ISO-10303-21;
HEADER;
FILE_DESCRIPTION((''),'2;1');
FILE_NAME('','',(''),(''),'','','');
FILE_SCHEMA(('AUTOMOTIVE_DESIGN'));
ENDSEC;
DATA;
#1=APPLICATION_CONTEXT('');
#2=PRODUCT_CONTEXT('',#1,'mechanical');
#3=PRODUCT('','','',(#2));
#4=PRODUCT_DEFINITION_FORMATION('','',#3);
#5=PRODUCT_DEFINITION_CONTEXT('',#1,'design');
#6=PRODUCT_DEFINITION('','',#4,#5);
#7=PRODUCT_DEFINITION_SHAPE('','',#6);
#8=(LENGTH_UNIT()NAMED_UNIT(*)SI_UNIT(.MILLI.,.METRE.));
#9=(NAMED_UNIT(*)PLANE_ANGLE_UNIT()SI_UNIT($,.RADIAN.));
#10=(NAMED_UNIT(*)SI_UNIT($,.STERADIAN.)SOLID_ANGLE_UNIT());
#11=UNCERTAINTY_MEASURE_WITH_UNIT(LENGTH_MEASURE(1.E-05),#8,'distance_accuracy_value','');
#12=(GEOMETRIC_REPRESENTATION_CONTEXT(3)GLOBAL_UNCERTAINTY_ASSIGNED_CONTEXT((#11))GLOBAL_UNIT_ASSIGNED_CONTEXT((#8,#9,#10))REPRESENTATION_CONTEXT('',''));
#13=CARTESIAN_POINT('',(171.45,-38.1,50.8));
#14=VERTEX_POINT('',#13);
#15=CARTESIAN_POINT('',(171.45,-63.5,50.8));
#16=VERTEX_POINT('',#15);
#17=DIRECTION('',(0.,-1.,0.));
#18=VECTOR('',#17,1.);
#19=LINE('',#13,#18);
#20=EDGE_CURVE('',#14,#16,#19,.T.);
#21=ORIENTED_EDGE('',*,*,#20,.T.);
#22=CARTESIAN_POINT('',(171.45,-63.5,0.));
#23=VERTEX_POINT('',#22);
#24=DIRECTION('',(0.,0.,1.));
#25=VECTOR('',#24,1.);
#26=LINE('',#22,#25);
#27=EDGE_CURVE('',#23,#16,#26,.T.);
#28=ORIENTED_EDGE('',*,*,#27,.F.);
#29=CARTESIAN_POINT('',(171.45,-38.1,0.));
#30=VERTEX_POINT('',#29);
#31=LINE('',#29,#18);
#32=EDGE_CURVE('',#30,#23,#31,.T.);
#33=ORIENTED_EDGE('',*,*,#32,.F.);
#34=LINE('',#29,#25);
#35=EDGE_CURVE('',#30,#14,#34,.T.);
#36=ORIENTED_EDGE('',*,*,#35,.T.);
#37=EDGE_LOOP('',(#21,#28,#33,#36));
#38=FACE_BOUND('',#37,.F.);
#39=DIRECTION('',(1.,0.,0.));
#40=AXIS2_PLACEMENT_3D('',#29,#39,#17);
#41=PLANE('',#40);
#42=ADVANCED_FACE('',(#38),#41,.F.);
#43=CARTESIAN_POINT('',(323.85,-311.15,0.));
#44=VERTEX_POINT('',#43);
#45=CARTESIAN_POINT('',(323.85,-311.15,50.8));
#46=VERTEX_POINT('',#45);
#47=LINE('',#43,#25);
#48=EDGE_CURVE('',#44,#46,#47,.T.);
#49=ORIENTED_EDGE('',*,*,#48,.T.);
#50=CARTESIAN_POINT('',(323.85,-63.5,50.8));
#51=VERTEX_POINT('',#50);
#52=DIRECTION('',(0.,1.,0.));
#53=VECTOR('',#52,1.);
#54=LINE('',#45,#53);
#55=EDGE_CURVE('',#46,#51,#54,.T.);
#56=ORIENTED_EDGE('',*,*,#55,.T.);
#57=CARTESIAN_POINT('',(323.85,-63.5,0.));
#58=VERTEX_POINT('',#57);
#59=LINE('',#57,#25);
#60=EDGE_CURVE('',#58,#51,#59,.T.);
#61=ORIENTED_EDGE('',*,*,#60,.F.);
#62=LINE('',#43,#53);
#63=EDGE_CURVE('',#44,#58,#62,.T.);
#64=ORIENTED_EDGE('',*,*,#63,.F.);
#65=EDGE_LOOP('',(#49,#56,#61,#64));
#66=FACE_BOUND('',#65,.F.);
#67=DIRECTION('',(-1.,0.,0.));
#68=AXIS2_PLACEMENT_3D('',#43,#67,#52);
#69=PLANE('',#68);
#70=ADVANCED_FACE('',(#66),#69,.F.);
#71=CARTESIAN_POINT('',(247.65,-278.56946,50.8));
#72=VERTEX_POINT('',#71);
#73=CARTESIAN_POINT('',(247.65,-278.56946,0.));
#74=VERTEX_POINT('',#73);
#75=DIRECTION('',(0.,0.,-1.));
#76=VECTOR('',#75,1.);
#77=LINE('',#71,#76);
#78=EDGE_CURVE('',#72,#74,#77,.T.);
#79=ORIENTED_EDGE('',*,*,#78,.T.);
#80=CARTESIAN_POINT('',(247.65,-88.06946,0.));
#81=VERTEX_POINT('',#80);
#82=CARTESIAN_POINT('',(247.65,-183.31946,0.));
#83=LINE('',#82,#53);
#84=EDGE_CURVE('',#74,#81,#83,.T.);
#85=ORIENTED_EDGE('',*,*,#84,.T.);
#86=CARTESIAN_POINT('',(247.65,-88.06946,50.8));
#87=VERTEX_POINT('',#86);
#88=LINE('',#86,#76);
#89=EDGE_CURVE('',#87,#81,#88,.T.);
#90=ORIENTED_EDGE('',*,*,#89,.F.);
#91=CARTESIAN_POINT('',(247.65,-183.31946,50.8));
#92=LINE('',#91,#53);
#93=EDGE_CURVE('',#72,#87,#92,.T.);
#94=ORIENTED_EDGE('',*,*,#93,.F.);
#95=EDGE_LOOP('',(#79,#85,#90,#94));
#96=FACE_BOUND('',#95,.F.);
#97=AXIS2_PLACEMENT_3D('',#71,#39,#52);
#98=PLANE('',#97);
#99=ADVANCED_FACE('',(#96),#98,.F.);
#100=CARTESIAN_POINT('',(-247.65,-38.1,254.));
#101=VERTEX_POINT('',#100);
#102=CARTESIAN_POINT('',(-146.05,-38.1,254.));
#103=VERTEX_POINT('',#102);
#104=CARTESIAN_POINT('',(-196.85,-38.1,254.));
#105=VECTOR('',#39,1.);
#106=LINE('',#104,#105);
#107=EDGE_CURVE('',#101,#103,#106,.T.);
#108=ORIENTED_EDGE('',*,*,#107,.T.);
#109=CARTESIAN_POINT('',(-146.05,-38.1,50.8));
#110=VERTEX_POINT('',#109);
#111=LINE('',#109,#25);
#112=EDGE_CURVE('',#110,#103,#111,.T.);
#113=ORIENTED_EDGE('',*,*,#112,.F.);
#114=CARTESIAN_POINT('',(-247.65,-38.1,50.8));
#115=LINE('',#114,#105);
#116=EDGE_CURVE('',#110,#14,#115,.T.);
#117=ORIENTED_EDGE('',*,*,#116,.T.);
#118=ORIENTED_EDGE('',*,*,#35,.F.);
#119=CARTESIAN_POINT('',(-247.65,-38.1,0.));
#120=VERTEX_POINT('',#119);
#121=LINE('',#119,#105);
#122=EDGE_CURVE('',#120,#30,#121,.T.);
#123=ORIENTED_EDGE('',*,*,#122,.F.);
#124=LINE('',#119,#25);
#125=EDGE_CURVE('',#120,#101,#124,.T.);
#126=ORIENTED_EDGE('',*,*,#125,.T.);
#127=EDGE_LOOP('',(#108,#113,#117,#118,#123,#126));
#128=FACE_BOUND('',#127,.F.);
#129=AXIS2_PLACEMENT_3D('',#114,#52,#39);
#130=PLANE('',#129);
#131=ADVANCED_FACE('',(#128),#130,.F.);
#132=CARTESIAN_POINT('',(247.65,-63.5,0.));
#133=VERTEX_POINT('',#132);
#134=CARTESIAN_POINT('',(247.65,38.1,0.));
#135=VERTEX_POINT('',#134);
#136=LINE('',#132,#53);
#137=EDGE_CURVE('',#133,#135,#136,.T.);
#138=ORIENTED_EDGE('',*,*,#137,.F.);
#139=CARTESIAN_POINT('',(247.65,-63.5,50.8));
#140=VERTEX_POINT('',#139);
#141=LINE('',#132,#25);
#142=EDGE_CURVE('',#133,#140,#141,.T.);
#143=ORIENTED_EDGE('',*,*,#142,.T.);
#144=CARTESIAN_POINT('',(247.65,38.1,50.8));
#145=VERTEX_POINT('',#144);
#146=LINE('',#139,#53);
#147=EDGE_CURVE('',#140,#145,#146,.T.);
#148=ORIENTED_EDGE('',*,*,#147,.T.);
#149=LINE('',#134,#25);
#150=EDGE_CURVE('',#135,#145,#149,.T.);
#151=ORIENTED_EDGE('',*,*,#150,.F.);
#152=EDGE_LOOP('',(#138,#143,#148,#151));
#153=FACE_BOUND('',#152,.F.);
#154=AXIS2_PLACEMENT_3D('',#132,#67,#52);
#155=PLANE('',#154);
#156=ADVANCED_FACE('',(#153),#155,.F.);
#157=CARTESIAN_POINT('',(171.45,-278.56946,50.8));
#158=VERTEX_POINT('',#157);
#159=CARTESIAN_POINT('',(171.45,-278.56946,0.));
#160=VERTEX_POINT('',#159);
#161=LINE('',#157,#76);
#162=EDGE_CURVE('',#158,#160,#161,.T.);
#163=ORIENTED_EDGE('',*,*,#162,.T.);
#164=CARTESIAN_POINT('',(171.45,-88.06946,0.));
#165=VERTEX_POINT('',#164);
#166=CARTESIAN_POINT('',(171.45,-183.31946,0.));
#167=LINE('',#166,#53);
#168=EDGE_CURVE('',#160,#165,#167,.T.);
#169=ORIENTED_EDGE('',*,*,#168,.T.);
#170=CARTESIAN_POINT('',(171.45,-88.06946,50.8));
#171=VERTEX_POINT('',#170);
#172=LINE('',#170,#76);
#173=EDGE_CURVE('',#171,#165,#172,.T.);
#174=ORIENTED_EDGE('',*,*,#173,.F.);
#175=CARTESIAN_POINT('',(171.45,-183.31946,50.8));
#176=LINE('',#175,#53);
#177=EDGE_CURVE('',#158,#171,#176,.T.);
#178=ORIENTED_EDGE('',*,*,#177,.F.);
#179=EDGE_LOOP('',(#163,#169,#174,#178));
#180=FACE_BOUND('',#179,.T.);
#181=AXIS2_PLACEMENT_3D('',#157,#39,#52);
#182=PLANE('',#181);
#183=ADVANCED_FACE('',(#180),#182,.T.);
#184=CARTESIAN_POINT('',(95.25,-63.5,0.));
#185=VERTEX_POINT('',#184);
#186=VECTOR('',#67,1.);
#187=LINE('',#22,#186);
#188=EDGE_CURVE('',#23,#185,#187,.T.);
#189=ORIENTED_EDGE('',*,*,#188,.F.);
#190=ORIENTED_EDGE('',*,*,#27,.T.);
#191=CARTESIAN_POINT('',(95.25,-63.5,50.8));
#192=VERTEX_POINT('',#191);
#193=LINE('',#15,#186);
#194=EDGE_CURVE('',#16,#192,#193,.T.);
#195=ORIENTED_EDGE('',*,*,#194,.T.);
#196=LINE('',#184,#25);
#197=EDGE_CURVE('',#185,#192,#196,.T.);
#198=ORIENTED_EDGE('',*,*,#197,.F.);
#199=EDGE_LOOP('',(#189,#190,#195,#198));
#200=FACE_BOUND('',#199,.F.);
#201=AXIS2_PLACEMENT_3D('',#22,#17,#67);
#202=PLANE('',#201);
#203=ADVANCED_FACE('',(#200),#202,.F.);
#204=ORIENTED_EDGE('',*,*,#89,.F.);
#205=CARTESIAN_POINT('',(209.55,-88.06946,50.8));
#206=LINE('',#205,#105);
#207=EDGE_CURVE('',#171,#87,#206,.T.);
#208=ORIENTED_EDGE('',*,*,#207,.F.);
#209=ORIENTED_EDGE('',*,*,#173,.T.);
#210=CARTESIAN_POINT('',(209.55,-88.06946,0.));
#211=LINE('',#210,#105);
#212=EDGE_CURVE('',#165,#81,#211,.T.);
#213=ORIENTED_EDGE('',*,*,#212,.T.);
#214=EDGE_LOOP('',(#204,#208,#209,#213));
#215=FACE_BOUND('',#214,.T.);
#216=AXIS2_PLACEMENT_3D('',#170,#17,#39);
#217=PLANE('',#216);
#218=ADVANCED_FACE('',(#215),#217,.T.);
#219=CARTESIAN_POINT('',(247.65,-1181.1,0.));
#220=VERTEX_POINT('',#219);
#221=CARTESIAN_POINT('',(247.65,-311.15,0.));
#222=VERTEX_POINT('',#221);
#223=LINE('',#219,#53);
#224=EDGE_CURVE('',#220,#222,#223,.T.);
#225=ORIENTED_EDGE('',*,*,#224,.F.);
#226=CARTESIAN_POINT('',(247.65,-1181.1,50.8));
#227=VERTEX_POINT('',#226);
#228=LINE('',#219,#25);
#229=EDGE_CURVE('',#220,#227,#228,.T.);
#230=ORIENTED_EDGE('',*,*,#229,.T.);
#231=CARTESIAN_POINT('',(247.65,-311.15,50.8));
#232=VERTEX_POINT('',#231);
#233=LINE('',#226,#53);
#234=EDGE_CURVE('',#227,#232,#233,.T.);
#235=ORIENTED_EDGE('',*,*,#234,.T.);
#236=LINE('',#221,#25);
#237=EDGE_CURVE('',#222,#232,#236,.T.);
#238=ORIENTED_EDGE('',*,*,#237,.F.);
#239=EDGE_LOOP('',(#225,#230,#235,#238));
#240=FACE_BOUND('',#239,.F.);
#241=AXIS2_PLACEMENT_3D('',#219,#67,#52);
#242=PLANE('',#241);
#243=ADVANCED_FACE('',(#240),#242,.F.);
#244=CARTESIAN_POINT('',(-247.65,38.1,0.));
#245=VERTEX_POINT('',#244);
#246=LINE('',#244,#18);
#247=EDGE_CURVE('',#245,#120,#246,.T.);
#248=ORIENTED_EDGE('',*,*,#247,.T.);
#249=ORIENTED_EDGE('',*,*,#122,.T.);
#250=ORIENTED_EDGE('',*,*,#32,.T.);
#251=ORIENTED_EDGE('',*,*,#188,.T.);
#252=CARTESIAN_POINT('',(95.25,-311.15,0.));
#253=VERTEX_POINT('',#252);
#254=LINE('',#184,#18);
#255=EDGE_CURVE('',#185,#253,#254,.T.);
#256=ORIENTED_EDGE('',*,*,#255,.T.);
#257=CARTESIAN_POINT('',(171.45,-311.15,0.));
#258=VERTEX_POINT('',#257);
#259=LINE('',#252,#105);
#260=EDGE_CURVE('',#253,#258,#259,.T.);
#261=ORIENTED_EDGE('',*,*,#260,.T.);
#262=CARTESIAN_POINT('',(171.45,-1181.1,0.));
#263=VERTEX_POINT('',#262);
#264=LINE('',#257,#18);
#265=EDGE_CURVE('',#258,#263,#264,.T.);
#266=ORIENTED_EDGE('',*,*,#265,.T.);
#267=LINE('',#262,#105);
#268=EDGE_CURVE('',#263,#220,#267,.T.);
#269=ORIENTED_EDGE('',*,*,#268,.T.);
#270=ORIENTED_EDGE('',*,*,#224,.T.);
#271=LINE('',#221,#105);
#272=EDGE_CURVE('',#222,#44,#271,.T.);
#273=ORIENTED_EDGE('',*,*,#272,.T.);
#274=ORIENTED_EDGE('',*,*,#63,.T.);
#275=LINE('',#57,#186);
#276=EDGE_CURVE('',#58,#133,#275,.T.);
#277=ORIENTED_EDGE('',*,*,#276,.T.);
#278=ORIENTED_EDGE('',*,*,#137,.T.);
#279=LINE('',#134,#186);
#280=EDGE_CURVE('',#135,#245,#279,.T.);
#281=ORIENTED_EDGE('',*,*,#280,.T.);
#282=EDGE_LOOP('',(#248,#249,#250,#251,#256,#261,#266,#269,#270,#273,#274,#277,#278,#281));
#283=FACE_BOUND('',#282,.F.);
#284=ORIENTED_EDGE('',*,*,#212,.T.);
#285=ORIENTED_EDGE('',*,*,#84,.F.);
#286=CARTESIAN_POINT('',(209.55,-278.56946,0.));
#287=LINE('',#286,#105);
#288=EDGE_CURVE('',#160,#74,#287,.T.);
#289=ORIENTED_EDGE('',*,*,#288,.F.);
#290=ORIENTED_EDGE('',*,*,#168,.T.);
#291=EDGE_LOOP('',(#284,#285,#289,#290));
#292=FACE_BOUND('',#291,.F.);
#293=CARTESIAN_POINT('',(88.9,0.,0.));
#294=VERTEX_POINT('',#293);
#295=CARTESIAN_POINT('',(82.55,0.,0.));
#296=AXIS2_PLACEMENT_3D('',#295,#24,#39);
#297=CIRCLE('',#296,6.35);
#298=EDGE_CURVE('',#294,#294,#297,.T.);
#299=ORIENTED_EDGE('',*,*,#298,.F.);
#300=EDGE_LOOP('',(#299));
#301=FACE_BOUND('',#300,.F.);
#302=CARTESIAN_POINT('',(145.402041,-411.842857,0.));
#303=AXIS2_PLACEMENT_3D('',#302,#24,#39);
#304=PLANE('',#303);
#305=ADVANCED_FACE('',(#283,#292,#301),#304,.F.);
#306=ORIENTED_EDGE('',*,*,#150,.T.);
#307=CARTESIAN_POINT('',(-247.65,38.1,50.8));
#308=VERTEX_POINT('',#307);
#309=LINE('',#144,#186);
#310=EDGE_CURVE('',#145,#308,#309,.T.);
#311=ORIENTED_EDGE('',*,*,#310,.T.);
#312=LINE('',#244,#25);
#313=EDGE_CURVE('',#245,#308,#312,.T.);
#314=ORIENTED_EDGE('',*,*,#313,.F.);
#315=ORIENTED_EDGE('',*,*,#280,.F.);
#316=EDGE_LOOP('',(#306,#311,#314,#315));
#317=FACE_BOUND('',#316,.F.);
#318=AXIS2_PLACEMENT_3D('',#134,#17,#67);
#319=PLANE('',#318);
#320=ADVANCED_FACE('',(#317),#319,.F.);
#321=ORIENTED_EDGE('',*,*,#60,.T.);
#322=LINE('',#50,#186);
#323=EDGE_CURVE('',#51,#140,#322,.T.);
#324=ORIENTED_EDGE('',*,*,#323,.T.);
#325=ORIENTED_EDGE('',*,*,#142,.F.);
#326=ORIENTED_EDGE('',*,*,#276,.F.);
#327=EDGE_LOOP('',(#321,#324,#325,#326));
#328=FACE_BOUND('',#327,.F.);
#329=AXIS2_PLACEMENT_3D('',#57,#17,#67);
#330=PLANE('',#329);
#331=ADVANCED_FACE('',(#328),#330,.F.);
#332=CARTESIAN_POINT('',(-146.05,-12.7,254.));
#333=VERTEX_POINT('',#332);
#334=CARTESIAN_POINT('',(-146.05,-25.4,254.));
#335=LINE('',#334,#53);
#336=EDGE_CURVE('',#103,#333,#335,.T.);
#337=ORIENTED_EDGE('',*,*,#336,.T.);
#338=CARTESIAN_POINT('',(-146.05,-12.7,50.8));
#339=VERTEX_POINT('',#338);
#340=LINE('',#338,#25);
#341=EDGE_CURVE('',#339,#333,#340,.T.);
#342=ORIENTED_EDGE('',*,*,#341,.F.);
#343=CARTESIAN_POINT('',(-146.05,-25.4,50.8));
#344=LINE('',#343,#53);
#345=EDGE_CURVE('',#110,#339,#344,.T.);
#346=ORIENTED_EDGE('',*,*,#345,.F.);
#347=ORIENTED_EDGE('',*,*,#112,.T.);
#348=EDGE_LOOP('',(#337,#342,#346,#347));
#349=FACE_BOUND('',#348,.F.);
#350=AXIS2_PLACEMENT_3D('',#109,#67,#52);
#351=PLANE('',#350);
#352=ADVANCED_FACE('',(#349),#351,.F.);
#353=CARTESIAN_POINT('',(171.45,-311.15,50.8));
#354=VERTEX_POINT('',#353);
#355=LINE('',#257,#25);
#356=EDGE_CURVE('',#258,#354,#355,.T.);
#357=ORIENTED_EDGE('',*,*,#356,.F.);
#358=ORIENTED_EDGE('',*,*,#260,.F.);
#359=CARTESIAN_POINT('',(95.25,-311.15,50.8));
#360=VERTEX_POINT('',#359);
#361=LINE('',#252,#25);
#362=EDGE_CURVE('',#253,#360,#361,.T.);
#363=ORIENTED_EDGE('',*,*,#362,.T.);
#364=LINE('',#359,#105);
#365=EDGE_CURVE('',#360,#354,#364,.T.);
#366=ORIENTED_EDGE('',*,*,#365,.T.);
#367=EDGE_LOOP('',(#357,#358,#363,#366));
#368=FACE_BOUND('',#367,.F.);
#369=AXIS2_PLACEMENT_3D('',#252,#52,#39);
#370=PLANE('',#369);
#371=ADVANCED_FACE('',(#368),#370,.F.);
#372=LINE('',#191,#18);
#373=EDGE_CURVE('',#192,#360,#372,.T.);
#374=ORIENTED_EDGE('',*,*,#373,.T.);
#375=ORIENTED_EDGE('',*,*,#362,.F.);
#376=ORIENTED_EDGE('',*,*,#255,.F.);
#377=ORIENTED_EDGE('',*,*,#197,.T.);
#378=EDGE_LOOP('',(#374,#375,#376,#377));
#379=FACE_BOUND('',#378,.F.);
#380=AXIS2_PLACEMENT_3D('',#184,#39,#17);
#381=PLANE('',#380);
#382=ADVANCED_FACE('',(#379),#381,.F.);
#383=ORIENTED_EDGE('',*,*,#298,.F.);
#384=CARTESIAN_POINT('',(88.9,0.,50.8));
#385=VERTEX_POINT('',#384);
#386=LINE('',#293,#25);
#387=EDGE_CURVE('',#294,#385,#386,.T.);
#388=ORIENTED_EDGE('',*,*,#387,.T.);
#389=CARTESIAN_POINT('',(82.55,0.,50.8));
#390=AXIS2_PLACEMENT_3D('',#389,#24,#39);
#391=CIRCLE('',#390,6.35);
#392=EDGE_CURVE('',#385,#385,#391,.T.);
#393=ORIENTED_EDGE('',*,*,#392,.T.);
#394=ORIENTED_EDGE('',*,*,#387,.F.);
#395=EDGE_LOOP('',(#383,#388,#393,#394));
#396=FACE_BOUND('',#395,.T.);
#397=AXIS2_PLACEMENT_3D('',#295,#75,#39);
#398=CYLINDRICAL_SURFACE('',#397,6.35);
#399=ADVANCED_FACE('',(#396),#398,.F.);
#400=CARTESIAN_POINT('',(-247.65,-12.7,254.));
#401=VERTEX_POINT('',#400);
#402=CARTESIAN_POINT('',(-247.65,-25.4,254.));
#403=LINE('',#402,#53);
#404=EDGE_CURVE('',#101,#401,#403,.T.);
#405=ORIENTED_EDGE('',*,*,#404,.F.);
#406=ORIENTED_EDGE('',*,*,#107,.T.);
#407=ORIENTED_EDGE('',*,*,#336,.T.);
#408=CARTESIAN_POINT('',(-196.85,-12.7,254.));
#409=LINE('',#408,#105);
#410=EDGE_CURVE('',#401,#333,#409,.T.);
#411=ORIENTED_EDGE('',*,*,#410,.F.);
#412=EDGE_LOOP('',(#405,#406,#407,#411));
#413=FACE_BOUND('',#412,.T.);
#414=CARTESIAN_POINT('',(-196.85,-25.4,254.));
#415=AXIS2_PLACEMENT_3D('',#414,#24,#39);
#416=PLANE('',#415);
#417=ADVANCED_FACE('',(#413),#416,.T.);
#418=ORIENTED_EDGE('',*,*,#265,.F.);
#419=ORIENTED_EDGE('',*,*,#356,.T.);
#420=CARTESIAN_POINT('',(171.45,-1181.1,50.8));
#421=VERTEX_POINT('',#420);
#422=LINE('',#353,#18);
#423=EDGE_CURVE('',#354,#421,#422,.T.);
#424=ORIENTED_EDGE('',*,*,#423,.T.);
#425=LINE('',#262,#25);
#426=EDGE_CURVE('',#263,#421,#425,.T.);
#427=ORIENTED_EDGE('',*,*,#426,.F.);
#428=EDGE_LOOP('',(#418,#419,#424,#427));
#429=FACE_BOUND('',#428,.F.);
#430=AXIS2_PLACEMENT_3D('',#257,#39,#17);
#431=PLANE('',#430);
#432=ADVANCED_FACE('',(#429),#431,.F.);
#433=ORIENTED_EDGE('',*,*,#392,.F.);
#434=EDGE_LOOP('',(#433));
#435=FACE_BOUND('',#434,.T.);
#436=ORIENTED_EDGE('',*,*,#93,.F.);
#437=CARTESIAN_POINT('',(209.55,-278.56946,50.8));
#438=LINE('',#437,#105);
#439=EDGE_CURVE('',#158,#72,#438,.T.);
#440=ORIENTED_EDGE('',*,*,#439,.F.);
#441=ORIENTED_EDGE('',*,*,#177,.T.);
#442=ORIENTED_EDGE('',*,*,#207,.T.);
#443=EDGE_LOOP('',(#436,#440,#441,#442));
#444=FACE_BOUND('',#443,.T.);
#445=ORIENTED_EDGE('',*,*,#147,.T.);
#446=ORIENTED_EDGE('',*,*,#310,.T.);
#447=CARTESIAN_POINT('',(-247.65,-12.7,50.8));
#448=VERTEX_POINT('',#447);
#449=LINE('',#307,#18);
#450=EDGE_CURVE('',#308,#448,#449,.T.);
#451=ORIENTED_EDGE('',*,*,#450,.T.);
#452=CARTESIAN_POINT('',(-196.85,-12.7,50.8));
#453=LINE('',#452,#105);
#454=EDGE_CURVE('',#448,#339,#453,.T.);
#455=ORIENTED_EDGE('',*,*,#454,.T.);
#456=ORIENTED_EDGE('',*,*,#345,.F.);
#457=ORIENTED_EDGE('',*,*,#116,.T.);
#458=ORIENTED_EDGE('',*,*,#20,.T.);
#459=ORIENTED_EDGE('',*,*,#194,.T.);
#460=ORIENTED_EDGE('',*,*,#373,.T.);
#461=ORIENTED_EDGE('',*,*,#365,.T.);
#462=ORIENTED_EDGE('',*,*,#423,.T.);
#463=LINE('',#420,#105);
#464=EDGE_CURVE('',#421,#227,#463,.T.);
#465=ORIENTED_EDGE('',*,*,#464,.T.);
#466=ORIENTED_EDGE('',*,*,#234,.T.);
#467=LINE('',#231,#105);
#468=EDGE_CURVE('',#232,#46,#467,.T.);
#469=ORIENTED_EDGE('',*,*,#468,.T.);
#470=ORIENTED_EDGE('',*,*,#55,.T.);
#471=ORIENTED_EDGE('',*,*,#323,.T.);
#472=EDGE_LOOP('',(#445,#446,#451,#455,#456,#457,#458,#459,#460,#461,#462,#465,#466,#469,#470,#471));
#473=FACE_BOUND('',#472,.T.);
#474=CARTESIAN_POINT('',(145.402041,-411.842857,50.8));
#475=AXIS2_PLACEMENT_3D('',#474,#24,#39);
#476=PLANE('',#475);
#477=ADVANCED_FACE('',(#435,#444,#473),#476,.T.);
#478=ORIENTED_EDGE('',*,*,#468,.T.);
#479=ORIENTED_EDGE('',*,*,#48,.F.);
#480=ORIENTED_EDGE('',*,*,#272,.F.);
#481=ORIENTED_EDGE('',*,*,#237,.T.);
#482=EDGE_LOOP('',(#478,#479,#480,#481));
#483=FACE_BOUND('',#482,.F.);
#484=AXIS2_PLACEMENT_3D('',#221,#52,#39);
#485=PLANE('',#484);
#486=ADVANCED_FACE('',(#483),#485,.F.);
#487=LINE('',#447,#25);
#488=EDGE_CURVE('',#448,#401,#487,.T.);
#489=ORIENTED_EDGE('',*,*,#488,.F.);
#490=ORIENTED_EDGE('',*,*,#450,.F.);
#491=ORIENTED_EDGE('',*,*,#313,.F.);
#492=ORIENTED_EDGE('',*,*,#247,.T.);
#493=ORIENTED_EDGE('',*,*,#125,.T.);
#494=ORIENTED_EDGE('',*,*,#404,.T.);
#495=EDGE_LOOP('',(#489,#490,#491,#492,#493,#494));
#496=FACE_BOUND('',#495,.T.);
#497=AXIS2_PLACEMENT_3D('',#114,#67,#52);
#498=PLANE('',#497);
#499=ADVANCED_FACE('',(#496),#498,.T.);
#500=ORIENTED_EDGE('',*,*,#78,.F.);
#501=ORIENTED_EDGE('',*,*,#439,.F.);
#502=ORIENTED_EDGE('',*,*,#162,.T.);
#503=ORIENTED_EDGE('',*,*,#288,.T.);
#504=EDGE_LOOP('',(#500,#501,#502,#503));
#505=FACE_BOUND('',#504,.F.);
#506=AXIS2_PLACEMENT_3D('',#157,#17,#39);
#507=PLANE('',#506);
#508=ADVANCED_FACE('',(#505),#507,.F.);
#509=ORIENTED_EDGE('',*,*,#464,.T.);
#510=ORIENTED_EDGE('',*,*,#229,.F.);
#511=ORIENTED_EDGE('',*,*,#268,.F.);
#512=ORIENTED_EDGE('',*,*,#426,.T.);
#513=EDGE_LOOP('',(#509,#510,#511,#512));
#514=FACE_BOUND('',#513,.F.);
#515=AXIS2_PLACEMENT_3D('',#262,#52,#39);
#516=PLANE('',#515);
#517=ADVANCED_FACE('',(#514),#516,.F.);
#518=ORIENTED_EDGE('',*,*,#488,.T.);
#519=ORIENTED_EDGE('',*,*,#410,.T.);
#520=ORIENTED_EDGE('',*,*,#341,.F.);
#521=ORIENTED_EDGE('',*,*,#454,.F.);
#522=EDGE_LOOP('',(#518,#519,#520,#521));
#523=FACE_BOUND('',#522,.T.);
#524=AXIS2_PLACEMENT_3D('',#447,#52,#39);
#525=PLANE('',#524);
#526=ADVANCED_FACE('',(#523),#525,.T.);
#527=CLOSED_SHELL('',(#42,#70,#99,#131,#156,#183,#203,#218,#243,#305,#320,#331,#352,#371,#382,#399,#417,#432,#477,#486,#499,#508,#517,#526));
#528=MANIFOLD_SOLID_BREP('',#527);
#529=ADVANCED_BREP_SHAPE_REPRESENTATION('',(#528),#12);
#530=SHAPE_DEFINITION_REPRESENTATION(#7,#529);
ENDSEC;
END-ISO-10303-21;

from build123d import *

# Parameters (mm, degrees)
F0_R     = 6.35
F1_DEPTH = 50.8
F2_W     = 101.6
F2_H     = 25.4
F3_DEPTH = 203.2
F4_W     = 76.2
F4_H     = 190.5
F5_DEPTH = 50.8


with BuildPart() as f1:
    # F0 (on Top) → F1 (new body)
    with BuildSketch(Plane.XY):
        Polygon((247.65, 38.1), (-247.65, 38.1), (-247.65, -38.1), (171.45, -38.1), (171.45, -63.5), (95.25, -63.5), (95.25, -311.15), (171.45, -311.15), (171.45, -1181.1), (247.65, -1181.1), (247.65, -311.15), (323.85, -311.15), (323.85, -63.5), (247.65, -63.5), (247.65, -38.1), align=None)
        with Locations((82.55, 0)):
            Circle(F0_R, mode=Mode.SUBTRACT)
    extrude(amount=F1_DEPTH)

    # F2 (on face) → F3 (join)
    with BuildSketch(Plane.XY.offset(50.8)):
        with Locations((-196.85, -25.4)):
            Rectangle(F2_W, F2_H)
    extrude(amount=F3_DEPTH)

    # F4 (on face) → F5 (cut)
    with BuildSketch(Plane.XY.offset(50.8)):
        with Locations((209.55, -183.31946)):
            Rectangle(F4_W, F4_H)
    extrude(amount=-F5_DEPTH, mode=Mode.SUBTRACT)


solid = f1.part
